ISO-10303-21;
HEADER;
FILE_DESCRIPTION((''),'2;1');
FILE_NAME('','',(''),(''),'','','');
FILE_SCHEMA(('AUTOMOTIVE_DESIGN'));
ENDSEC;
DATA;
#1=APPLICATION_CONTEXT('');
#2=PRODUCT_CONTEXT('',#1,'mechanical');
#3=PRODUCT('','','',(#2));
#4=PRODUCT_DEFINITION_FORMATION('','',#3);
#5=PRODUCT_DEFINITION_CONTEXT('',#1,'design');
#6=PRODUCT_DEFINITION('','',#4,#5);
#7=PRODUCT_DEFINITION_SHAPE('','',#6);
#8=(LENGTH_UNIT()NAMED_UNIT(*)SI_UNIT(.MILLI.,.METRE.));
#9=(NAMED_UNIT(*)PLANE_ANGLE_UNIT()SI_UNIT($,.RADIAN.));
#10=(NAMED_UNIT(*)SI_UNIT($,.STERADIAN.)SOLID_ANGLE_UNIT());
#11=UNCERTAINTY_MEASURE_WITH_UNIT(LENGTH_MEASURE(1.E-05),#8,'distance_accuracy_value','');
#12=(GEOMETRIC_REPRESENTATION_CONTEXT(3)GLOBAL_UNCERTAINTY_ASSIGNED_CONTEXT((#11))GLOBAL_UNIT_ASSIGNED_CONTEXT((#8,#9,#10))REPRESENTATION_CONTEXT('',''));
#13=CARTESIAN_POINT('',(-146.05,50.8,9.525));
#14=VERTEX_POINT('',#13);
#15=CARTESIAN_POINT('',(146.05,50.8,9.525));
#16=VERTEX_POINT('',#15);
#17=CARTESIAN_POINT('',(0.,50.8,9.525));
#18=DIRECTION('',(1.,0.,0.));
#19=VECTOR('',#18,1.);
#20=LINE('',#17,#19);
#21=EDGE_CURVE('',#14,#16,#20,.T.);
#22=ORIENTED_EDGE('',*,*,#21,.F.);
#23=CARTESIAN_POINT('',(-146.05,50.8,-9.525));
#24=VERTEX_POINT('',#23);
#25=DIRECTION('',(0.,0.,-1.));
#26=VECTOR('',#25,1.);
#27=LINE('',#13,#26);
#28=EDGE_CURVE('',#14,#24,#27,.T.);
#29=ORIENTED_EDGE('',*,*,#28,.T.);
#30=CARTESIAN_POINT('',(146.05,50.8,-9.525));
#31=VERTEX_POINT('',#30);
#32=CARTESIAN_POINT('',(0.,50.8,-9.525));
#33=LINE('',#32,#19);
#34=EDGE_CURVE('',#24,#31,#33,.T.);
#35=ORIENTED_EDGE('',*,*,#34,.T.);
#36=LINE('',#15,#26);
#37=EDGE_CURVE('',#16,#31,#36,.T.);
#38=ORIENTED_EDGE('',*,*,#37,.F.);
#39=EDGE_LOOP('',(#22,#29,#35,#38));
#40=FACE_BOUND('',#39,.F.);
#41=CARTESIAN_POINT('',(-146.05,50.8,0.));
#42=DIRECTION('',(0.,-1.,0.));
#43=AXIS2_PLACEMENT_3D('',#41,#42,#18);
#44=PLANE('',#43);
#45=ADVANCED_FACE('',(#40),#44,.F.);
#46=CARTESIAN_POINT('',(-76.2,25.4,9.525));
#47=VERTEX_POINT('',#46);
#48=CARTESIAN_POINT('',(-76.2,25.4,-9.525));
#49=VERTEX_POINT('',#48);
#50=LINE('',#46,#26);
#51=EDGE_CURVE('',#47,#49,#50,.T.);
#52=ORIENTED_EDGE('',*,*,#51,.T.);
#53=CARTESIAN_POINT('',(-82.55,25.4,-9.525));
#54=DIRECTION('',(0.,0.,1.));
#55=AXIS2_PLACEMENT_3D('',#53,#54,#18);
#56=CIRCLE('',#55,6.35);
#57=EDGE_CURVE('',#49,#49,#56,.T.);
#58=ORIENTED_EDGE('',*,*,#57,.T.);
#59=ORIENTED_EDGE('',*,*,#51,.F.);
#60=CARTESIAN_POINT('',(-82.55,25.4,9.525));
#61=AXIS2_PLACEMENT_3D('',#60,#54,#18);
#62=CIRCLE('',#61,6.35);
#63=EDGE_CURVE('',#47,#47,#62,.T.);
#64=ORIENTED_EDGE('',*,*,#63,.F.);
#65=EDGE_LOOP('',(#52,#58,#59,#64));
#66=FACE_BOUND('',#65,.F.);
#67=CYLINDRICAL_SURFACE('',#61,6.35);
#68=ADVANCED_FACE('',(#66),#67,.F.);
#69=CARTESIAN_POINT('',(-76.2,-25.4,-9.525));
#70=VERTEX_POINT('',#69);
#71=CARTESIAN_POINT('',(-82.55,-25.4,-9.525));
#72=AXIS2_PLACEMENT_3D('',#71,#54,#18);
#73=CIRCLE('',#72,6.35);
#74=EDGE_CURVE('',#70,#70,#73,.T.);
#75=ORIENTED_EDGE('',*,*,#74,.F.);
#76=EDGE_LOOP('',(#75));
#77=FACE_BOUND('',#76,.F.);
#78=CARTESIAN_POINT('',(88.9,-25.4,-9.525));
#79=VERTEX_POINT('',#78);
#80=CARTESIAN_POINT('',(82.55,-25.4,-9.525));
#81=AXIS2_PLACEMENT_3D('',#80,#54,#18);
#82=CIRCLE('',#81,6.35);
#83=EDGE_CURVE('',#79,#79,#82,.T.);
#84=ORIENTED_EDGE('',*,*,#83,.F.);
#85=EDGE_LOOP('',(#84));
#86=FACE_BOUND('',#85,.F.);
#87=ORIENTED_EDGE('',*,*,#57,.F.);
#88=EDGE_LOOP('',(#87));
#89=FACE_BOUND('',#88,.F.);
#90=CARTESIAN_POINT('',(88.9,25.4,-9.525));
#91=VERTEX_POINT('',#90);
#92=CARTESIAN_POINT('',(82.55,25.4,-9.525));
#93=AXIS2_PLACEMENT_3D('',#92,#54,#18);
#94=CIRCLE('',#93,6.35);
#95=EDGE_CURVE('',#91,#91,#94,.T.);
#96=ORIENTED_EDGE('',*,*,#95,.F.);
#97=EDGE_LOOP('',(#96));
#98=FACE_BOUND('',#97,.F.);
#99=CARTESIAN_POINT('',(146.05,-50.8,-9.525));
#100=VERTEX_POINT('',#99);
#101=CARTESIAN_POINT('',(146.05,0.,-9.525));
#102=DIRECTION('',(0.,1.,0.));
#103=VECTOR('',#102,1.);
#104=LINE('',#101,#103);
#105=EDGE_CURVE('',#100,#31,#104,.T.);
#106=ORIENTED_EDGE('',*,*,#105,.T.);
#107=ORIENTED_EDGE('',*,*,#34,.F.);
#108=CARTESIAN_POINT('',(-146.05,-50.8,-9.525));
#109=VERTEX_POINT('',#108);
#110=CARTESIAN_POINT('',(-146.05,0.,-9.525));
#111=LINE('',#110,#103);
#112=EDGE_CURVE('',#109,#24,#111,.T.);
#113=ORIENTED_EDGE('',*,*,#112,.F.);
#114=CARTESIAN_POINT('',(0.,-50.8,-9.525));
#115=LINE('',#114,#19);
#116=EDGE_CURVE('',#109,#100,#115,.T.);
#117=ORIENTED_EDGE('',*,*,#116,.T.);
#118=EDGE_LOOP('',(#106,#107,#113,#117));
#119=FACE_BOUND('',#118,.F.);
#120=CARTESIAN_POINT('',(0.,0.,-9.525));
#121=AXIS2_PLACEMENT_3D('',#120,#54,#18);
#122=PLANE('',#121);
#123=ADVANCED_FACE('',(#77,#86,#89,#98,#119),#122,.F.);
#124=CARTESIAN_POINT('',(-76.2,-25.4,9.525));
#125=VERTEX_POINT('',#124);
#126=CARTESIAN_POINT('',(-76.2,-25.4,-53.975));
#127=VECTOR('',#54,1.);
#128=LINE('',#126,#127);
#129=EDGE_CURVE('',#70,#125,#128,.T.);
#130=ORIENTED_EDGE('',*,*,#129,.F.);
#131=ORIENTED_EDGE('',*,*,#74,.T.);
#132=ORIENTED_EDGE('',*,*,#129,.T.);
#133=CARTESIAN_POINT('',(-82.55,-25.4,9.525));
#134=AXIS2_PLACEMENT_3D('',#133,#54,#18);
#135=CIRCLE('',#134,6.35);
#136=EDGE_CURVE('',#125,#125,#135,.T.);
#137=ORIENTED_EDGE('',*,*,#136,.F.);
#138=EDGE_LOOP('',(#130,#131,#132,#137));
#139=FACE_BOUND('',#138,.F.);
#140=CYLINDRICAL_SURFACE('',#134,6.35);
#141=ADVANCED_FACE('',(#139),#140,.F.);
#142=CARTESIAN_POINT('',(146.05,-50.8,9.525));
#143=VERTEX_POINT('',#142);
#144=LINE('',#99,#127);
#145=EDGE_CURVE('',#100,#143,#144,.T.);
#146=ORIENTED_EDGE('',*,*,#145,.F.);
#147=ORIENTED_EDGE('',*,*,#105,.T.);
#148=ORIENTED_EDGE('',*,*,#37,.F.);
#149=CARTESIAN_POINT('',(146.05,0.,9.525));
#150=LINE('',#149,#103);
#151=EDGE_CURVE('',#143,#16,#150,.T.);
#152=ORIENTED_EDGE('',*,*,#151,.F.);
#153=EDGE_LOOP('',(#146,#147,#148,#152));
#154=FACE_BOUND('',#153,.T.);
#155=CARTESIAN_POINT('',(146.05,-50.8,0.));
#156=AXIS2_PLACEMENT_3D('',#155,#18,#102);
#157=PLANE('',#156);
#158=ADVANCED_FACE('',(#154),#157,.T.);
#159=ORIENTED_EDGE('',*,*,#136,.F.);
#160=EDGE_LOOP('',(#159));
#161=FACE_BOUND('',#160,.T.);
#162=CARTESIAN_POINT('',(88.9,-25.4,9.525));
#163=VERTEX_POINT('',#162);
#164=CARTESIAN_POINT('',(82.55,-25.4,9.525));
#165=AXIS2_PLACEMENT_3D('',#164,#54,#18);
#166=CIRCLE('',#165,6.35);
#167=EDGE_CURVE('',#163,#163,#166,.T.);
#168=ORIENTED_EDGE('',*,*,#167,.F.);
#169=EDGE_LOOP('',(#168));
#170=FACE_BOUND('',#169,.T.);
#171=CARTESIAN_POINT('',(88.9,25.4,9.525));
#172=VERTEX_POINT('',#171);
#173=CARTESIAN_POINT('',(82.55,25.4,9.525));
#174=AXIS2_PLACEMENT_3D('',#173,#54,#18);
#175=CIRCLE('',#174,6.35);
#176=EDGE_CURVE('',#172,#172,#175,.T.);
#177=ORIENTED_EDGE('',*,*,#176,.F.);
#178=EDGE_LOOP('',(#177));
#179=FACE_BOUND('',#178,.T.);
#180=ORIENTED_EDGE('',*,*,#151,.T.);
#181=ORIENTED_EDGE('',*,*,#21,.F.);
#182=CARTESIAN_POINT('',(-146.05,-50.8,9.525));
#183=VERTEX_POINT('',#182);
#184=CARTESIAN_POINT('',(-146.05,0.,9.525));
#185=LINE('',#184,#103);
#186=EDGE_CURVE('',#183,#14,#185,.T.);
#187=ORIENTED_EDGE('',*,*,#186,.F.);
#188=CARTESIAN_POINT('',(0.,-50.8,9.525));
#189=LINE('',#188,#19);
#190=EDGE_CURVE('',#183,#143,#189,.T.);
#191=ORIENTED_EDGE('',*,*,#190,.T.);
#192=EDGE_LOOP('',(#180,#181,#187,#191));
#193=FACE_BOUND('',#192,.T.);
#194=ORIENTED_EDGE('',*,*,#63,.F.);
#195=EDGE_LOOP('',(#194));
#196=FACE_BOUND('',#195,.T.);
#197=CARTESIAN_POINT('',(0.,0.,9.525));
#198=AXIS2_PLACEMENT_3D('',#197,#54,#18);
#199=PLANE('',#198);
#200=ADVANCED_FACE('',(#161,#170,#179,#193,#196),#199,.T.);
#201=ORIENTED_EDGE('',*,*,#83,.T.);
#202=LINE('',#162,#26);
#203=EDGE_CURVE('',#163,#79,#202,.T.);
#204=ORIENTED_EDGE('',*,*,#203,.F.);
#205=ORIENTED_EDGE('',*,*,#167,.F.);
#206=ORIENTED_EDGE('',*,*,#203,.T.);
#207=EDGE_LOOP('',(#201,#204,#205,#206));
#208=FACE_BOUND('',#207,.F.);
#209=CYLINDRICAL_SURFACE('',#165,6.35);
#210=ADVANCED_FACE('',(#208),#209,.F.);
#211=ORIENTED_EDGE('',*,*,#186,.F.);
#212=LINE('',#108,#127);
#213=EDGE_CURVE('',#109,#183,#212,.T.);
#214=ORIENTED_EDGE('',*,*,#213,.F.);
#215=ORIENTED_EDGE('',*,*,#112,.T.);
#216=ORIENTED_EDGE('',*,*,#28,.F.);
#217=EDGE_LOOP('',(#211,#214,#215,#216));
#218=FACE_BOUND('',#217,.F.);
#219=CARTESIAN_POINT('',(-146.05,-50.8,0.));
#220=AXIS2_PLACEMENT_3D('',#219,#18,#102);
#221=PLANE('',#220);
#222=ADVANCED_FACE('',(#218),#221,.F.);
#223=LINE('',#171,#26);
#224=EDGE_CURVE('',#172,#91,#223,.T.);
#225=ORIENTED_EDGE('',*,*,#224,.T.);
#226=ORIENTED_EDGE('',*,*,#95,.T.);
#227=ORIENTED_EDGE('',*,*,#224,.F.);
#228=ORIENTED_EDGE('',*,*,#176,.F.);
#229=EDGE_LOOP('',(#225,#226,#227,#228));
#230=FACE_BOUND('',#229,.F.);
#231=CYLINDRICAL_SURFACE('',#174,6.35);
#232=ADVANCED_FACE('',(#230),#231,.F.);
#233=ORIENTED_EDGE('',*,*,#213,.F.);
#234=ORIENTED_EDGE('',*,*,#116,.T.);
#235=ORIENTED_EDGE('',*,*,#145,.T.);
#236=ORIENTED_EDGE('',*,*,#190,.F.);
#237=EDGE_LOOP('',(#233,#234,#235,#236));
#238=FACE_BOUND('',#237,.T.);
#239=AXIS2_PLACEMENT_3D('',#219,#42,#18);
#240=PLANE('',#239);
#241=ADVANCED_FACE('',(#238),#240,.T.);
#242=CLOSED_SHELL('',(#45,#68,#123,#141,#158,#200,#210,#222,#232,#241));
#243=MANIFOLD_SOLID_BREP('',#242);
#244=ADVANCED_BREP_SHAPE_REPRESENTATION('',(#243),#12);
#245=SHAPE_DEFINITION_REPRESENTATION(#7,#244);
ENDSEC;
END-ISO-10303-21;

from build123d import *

# Parameters (mm, degrees)
F0_W     = 292.1
F0_H     = 101.6
F1_DEPTH = 9.525
F2_R     = 6.35
F3_DEPTH = 63.5


with BuildPart() as f1:
    # F0 (on Top) → F1 (new body, symmetric)
    with BuildSketch(Plane.XY):
        Rectangle(F0_W, F0_H)
    extrude(amount=F1_DEPTH, both=True)

    # F2 (on face) → F3 (cut, symmetric)
    with BuildSketch(Plane.XY.offset(9.525)):
        with Locations((-82.55, 25.4)):
            Circle(F2_R)
        with Locations((82.55, 25.4)):
            Circle(F2_R)
        with Locations((82.55, -25.4)):
            Circle(F2_R)
        with Locations((-82.55, -25.4)):
            Circle(F2_R)
    extrude(amount=F3_DEPTH, both=True, mode=Mode.SUBTRACT)


solid = f1.part
